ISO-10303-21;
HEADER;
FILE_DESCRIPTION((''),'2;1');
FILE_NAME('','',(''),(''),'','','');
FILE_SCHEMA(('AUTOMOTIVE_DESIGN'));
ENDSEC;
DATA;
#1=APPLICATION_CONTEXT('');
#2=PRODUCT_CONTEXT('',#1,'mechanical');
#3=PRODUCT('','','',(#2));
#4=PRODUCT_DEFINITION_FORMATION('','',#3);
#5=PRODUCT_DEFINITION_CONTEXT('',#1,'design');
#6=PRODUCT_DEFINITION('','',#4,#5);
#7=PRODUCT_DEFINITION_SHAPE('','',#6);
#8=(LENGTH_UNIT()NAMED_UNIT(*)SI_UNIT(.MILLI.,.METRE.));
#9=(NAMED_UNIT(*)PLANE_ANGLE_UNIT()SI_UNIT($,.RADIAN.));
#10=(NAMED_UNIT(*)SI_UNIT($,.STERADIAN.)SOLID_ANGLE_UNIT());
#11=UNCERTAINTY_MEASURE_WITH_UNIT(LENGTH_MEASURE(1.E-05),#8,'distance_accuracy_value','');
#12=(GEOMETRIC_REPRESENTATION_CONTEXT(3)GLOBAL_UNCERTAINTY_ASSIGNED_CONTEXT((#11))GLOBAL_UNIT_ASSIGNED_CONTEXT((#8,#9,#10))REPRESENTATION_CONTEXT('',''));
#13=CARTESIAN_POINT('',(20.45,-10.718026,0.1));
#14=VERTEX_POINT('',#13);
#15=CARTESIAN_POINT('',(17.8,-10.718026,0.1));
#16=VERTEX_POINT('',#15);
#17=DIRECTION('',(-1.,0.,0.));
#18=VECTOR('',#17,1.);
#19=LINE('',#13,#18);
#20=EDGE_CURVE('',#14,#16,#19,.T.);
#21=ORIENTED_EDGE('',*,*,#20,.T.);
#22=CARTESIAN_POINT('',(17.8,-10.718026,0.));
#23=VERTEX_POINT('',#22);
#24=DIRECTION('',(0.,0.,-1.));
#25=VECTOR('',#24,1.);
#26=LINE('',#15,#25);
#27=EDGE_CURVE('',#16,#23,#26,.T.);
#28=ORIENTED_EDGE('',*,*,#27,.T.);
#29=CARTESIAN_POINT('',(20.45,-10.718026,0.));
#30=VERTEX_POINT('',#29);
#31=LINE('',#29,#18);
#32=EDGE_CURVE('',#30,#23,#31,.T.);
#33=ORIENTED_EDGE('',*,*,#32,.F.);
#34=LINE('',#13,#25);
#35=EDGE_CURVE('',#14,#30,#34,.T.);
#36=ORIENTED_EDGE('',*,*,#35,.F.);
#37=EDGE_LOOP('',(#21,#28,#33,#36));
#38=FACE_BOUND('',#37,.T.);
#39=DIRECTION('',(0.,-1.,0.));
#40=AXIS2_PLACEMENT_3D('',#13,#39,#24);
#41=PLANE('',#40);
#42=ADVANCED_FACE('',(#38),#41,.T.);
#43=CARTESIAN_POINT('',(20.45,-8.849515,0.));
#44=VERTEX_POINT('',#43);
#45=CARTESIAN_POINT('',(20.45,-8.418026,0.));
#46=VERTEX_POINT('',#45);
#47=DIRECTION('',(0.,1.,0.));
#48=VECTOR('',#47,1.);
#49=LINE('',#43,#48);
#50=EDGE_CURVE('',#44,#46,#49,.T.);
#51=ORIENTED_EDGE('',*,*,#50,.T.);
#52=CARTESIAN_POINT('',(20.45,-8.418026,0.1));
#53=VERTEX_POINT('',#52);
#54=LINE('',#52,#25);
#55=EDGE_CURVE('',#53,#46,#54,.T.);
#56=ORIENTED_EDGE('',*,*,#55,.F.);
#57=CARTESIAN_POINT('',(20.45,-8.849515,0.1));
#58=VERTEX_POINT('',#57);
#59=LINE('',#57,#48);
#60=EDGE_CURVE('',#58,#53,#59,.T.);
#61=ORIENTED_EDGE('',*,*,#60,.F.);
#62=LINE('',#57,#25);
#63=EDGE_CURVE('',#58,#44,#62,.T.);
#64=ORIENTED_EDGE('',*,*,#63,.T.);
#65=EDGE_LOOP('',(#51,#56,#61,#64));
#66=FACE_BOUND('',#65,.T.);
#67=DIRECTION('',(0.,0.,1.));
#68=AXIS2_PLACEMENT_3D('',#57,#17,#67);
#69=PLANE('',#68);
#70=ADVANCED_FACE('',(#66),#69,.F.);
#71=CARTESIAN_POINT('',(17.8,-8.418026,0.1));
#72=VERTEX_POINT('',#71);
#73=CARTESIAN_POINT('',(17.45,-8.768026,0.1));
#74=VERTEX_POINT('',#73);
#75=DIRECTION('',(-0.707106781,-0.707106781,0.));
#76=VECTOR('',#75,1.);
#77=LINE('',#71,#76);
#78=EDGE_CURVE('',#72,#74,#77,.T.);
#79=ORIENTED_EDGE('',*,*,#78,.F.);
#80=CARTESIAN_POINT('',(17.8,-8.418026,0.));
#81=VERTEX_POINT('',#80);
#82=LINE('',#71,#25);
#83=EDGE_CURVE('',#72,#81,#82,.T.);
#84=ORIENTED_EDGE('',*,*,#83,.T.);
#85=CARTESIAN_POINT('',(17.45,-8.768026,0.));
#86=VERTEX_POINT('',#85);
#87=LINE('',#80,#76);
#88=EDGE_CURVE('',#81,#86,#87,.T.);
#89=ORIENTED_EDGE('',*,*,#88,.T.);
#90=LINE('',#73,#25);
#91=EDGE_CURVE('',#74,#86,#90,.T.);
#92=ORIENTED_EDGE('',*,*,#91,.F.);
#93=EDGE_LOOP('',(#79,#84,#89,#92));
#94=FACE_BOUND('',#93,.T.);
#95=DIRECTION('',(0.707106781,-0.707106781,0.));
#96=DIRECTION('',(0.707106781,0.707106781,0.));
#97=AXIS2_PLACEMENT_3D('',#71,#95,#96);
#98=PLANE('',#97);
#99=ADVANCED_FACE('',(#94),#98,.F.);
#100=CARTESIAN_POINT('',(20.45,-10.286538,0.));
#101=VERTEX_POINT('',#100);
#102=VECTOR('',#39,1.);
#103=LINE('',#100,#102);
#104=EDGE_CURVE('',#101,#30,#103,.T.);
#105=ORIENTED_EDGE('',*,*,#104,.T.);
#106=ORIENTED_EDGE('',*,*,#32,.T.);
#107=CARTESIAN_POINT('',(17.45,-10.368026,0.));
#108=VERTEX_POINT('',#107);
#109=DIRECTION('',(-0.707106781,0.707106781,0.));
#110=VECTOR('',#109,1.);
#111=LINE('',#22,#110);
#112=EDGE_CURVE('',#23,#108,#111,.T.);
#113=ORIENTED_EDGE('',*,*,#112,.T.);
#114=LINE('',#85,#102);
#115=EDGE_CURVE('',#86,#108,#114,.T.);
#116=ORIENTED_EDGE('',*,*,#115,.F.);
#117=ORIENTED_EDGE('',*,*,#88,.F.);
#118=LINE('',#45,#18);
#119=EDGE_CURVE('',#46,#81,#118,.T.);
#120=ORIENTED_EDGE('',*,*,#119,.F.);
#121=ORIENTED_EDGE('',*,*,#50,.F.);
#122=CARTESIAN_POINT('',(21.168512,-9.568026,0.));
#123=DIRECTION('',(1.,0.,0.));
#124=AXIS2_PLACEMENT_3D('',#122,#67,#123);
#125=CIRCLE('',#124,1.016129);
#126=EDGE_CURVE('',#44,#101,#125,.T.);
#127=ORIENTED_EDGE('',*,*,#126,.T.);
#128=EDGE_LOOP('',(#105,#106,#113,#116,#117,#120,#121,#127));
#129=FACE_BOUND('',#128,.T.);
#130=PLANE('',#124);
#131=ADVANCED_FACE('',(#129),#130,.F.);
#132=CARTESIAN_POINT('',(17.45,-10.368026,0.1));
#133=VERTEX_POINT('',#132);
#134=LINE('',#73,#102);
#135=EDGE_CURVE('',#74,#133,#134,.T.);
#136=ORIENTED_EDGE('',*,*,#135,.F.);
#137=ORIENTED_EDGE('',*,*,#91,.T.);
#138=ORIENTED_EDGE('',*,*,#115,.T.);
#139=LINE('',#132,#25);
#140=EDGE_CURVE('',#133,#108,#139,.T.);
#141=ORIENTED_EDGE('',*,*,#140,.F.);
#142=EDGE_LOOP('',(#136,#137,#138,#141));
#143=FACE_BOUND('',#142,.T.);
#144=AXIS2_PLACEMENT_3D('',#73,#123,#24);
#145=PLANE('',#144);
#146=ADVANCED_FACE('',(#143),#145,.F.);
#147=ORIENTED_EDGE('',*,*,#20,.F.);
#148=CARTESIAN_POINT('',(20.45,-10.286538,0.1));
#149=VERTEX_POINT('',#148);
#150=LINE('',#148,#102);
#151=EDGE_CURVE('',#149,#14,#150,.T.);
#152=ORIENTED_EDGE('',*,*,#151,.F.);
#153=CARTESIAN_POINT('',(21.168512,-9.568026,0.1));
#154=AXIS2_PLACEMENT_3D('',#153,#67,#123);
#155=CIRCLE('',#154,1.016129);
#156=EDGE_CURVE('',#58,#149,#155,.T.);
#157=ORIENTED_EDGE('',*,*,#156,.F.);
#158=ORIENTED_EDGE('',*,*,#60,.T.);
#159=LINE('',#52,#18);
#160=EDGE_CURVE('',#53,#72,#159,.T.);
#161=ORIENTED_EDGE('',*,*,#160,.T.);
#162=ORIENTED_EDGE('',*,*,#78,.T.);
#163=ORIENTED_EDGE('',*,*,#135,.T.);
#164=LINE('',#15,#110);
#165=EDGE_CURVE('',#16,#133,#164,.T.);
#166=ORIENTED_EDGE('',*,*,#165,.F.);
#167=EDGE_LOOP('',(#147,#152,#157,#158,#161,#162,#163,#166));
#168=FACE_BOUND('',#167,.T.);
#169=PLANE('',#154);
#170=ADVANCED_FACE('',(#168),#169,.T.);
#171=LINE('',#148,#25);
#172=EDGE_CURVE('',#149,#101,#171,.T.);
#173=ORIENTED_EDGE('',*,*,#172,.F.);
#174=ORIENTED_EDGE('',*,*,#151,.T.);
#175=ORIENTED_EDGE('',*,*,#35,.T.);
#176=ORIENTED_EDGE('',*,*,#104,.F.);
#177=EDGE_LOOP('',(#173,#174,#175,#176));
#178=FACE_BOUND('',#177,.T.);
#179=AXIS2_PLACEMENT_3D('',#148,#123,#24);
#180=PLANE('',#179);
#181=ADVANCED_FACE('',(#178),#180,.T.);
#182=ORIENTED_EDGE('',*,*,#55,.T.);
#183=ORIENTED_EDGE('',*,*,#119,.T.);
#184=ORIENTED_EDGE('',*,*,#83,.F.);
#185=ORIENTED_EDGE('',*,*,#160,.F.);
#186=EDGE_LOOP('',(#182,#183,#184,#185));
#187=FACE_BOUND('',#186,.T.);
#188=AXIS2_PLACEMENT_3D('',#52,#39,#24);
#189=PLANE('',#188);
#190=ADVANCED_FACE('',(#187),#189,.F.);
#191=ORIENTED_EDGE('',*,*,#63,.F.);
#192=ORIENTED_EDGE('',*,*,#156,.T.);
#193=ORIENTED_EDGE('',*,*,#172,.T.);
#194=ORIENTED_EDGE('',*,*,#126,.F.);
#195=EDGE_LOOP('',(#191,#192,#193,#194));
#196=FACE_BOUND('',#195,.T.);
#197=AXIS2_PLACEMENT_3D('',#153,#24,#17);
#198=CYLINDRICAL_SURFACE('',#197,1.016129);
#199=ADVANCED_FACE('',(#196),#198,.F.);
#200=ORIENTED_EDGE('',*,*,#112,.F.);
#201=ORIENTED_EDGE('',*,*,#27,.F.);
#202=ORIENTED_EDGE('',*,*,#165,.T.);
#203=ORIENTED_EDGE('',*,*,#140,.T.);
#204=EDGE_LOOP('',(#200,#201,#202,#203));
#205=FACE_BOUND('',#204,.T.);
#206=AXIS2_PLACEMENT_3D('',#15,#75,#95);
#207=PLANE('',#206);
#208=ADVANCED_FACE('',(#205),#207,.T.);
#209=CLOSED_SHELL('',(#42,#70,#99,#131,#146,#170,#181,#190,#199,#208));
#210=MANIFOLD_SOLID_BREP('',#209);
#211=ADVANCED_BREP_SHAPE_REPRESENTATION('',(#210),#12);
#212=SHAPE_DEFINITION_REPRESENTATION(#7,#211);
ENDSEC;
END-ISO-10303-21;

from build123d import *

# Parameters (mm, degrees)
EXTRUDE_1_DEPTH = 0.1


with BuildPart() as part:
    # Эскиз1 → Бобышка-Вытянуть1 (new body)
    with BuildSketch(Plane.XY):
        with BuildLine():
            Line((20.45, -8.849514631), (20.45, -8.418026261))
            Line((20.45, -8.418026261), (17.8, -8.418026261))
            Line((17.8, -8.418026261), (17.45, -8.768026261))
            Line((17.45, -8.768026261), (17.45, -10.368026261))
            Line((17.45, -10.368026261), (17.8, -10.718026261))
            Line((17.8, -10.718026261), (20.45, -10.718026261))
            Line((20.45, -10.718026261), (20.45, -10.286537892))
            ThreePointArc((20.45, -10.286537892), (20.152382738, -9.568026261), (20.45, -8.849514631))
        make_face()
    extrude(amount=EXTRUDE_1_DEPTH)


solid = part.part
